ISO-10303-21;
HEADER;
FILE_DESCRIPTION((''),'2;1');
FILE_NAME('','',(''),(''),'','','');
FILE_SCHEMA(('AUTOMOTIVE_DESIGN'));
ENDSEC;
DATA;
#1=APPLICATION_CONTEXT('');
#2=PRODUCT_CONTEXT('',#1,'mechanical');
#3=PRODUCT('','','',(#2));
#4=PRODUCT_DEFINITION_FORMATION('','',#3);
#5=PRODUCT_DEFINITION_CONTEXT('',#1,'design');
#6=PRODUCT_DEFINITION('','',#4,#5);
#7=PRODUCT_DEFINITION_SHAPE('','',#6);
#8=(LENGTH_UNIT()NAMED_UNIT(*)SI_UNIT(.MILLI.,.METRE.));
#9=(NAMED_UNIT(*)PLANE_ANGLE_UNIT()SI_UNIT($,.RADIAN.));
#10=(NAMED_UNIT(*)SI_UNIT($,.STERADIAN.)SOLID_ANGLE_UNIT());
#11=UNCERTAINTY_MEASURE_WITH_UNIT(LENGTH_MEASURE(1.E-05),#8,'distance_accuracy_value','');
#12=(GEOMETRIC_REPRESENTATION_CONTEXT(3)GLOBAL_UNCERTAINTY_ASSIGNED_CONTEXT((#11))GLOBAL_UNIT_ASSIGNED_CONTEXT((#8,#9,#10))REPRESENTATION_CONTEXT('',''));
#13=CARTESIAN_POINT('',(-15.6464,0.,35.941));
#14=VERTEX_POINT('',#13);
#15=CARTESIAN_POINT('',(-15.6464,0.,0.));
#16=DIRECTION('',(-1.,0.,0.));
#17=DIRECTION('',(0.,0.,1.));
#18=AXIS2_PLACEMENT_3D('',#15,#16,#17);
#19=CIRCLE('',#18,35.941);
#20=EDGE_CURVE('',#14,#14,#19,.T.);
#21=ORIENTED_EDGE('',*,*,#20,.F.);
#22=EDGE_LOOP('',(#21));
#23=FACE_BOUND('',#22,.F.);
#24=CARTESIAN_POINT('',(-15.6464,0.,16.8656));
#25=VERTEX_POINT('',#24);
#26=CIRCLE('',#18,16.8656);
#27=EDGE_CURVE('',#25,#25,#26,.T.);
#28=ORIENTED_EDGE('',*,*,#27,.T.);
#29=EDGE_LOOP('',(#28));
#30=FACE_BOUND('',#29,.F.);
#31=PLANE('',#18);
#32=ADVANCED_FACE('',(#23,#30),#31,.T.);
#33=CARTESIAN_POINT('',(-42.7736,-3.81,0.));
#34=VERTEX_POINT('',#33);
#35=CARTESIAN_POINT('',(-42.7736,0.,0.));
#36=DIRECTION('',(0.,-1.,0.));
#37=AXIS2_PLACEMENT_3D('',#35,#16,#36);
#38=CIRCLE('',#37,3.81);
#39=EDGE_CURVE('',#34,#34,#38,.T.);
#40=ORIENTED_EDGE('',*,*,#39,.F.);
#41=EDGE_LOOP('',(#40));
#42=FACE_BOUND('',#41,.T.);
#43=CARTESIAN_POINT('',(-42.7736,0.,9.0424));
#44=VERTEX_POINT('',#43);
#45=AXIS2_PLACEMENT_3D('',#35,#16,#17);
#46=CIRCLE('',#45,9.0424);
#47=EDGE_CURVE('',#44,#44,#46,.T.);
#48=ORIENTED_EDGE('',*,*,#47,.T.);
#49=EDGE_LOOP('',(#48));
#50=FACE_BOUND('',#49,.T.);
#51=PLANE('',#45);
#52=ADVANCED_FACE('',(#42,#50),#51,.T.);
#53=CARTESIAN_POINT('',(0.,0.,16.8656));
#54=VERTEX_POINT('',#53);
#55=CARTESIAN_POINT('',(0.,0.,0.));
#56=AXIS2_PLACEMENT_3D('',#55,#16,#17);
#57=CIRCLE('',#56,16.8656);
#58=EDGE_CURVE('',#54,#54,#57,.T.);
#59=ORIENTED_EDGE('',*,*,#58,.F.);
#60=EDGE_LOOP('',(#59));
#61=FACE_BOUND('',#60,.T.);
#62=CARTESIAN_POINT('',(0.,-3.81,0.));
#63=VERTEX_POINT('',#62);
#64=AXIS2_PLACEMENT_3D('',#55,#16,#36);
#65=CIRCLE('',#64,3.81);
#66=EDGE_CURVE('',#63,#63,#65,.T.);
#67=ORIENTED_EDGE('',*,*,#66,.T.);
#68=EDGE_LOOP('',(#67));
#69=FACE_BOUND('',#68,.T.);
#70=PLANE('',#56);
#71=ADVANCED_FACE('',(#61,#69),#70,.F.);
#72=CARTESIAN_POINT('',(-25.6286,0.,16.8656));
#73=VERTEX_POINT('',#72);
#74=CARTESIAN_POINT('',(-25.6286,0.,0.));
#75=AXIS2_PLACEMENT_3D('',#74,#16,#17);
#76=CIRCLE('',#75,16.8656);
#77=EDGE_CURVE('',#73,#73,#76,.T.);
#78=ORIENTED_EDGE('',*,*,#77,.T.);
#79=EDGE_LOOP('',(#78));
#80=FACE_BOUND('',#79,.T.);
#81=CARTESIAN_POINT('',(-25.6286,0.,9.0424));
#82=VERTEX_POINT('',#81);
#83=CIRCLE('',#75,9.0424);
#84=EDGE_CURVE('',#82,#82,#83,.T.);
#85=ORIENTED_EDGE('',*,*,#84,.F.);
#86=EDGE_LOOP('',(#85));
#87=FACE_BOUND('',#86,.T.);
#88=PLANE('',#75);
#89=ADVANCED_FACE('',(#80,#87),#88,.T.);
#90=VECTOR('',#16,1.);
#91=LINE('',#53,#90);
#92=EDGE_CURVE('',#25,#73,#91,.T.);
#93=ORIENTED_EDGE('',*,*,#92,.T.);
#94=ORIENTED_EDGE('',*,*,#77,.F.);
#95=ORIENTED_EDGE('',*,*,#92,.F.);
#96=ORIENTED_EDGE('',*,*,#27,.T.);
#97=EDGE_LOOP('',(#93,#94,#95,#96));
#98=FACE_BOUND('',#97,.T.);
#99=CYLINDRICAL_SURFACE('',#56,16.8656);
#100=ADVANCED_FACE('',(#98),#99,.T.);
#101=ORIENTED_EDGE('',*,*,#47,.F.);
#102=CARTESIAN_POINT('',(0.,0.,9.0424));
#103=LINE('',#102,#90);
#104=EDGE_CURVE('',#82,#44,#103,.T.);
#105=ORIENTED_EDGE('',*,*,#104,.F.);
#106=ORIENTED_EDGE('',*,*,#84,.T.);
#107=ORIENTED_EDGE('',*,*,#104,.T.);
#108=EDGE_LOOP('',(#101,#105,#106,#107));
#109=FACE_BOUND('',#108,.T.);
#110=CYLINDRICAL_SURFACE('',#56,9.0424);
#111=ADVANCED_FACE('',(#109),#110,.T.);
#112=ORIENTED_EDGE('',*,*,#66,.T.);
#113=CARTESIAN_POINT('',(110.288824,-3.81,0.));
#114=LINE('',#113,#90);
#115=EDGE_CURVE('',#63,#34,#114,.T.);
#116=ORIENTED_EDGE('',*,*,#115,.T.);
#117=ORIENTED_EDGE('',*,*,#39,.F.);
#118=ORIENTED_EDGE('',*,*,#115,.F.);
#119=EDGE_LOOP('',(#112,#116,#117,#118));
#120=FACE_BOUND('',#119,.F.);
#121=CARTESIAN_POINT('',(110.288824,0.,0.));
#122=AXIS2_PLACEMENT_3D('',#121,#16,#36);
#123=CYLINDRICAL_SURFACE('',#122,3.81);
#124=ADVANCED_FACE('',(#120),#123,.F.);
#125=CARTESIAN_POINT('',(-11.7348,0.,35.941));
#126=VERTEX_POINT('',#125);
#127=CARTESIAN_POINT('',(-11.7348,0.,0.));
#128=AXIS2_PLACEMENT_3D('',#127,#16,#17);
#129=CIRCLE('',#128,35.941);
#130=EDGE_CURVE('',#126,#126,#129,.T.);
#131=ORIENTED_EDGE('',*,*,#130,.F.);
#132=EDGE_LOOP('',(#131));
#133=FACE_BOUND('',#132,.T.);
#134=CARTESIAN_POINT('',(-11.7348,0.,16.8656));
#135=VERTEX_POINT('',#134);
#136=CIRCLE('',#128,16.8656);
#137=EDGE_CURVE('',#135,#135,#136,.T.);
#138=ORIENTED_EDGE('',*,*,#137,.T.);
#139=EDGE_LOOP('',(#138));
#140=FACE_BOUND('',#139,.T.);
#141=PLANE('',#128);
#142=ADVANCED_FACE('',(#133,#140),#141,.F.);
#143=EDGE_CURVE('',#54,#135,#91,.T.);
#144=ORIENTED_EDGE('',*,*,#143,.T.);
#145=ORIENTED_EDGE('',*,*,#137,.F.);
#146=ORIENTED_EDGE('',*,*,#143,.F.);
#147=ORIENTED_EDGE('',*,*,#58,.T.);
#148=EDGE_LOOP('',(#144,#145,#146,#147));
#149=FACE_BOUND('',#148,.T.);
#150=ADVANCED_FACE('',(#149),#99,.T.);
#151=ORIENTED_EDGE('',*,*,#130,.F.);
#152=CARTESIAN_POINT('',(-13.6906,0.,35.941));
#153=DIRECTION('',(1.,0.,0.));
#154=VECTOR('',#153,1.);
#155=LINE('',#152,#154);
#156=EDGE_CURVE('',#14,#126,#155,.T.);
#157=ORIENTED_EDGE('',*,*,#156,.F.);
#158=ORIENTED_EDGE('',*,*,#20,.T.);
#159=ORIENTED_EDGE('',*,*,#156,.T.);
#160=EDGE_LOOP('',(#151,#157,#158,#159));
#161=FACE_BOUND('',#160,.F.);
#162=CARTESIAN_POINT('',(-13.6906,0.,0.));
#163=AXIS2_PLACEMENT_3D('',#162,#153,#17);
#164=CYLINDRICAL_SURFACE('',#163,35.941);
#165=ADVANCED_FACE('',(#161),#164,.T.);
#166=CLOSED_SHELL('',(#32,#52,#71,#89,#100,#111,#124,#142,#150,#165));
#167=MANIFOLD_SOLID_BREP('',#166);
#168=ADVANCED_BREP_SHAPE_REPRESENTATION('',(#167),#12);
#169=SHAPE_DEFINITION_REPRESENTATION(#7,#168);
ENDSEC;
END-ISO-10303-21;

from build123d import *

# Parameters (mm, degrees)
F0_W = 3.9116
F0_H = 19.0754
F3_D = 7.62


with BuildPart() as f1:
    # F0 (on Front) → F1 (revolve)
    with BuildSketch(Plane.XZ):
        Polygon((-42.7736, 0), (0, 0), (0, 9.0424), (-25.6286, 9.0424), (-42.7736, 9.0424), align=None)
        Polygon((-25.6286, 9.0424), (0, 9.0424), (0, 16.8656), (-11.7348, 16.8656), (-15.6464, 16.8656), (-25.6286, 16.8656), align=None)
        with Locations((-13.6906, 26.4033)):
            Rectangle(F0_W, F0_H)
    revolve(axis=Axis((-21.3868, 0, 0), (-1, 0, 0)))

    # F3 (through all)
    with Locations(Plane.YZ):
        with Locations((0, 0)):
            Hole(F3_D / 2)


solid = f1.part
